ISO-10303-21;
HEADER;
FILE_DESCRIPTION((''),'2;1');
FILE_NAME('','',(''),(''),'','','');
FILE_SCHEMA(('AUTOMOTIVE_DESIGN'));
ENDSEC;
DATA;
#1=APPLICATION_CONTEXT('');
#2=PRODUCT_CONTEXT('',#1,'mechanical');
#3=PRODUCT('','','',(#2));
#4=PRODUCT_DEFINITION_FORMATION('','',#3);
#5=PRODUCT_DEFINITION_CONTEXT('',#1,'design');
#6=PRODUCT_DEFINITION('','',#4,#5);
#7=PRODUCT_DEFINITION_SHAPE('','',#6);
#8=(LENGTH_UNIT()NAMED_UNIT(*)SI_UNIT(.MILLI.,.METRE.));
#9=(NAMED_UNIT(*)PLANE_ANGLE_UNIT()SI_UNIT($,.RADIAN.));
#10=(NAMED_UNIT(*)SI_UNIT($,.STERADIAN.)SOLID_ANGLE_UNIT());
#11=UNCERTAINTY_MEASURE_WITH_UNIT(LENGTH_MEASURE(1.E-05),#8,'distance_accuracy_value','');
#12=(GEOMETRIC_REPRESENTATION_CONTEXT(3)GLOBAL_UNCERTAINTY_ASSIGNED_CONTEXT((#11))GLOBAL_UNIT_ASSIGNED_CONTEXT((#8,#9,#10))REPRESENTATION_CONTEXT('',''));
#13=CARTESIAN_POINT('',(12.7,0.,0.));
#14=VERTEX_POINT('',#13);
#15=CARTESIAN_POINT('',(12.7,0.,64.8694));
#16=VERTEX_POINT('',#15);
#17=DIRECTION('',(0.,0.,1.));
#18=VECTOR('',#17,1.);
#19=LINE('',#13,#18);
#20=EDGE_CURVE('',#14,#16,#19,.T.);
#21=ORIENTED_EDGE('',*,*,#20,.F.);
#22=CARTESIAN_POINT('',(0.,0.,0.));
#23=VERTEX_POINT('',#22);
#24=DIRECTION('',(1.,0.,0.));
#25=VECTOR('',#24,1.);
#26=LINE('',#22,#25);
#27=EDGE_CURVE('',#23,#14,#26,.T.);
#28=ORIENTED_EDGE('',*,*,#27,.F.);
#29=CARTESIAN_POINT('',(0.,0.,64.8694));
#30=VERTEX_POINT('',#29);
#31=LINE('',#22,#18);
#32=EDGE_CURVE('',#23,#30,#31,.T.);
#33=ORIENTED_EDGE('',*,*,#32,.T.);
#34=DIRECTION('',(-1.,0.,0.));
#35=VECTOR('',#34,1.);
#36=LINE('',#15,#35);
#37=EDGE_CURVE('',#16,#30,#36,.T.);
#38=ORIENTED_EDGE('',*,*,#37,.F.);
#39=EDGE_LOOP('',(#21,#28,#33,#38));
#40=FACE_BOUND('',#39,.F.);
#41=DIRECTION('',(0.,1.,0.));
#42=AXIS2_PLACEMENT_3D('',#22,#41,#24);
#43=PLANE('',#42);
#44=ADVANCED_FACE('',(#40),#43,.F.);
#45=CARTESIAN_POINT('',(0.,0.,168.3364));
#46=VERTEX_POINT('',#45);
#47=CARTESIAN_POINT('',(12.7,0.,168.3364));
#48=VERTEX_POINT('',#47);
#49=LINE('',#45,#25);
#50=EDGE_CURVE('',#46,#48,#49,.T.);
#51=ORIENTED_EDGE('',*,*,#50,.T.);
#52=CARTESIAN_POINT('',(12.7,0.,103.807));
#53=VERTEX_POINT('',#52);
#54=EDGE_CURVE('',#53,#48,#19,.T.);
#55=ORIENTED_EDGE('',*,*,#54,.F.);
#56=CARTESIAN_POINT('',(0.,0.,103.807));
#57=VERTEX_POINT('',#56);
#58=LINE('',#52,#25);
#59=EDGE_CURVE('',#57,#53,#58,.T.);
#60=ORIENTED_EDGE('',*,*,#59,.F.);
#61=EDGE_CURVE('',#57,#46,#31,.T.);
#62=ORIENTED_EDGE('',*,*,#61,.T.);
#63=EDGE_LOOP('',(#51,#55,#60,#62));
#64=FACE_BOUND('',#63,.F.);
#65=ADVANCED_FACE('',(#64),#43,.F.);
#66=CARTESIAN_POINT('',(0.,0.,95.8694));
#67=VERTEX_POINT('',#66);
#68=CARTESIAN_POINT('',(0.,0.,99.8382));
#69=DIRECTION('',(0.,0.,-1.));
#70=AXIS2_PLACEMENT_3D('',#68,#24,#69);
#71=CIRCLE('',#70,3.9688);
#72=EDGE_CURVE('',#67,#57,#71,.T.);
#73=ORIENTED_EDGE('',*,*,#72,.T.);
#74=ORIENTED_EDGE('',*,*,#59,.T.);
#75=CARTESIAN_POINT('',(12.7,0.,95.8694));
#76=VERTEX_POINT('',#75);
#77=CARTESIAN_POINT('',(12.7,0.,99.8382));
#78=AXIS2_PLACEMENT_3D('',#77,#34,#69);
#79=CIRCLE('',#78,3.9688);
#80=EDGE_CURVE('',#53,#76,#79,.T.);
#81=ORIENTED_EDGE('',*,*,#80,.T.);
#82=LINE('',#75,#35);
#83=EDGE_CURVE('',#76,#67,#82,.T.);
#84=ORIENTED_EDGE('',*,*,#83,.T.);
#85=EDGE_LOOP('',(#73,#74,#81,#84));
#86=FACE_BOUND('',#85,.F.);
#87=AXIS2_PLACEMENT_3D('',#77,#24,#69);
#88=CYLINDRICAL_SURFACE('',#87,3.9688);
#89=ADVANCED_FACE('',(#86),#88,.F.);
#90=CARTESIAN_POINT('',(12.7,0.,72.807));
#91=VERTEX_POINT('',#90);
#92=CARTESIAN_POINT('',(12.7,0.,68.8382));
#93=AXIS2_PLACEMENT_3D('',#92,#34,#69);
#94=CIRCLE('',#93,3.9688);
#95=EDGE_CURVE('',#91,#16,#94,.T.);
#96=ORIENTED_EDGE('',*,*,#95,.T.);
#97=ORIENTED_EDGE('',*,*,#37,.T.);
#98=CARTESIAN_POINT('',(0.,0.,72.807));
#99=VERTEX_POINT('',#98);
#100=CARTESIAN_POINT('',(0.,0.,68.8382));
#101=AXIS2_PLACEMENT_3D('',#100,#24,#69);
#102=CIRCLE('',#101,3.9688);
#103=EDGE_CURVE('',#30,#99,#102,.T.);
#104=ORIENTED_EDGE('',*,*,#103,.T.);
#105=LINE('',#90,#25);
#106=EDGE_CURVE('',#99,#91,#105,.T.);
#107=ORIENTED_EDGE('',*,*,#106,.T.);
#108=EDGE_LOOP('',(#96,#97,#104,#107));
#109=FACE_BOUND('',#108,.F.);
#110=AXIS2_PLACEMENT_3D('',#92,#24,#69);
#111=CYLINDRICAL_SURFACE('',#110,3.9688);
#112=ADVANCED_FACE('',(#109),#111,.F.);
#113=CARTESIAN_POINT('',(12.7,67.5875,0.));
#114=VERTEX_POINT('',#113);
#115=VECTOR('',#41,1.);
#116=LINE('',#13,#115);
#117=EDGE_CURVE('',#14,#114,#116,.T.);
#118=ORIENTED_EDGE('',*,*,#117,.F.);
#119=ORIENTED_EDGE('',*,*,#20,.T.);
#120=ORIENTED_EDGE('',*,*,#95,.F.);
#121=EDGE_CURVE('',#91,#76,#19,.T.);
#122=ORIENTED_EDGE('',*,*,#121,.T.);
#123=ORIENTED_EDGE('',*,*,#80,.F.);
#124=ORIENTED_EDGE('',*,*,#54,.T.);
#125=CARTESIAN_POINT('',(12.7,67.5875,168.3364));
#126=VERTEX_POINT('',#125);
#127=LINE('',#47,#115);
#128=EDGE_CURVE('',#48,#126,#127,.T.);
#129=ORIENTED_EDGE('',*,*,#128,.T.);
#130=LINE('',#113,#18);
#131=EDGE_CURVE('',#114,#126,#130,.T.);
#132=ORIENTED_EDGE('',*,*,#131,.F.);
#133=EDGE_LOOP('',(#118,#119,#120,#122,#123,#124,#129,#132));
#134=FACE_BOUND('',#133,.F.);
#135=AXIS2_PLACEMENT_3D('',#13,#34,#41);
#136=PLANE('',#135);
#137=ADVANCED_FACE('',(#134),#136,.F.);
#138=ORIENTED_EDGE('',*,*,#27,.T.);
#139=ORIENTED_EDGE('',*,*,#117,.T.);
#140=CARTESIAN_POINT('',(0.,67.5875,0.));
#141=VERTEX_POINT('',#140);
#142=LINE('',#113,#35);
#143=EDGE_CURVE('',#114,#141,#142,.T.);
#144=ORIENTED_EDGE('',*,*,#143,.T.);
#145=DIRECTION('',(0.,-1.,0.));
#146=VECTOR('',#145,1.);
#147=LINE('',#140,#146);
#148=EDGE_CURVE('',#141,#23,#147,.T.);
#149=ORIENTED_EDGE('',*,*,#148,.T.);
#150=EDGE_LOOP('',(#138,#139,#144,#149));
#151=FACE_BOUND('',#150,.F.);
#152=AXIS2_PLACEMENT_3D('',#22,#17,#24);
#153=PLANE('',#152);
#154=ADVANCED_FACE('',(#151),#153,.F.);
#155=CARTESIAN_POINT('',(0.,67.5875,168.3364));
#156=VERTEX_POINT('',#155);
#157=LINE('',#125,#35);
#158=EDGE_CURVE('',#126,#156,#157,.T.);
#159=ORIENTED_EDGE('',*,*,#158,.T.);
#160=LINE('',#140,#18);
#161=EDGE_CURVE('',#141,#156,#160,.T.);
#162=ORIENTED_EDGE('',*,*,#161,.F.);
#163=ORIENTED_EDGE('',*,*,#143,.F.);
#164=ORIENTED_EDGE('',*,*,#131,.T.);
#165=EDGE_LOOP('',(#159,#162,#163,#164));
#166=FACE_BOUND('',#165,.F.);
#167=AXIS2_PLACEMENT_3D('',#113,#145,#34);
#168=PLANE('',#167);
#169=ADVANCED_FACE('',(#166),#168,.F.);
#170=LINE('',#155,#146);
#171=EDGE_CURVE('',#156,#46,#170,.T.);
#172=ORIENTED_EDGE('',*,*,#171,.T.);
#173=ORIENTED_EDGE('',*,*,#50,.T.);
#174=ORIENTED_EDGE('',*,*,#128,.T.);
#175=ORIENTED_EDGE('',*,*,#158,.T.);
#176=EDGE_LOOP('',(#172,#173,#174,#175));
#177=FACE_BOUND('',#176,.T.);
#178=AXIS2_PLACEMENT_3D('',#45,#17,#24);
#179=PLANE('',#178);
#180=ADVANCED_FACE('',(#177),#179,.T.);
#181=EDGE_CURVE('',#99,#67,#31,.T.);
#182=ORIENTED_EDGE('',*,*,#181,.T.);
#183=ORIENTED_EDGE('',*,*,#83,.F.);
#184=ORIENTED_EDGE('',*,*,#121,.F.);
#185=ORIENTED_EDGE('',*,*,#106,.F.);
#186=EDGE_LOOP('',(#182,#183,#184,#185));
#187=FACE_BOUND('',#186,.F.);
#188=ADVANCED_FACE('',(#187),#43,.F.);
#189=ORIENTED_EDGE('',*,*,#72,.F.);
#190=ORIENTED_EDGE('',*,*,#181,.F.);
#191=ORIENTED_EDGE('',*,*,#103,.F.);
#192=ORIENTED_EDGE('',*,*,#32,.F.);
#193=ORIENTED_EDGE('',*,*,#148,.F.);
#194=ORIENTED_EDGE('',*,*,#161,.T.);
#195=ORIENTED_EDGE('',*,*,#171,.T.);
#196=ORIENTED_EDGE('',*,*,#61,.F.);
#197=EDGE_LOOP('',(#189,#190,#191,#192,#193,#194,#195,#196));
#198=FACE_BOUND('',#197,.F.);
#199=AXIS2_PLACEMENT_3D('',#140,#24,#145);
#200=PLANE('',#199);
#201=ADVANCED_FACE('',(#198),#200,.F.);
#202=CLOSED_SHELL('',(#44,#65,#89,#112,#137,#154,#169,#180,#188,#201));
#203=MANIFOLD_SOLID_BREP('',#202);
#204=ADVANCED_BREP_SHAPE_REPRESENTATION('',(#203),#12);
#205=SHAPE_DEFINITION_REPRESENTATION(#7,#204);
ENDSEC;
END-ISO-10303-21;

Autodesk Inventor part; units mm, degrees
ref_plane "YZ Plane" through (0, 0, 0) normal (1, 0, 0) x (0, 1, 0)
ref_plane "XZ Plane" through (0, 0, 0) normal (0, 1, 0) x (-1, 0, 0)
ref_plane "XY Plane" through (0, 0, 0) normal (0, 0, 1) x (1, 0, 0)
sketch "Sketch1" plane through (0, 0, 0) normal (0, 0, 1) x (1, 0, 0)
  line L0 (0, 0) -> (12.7, 0)
  line L1 (12.7, 0) -> (12.7, 67.5875)
  line L2 (12.7, 67.5875) -> (0, 67.5875)
  line L3 (0, 67.5875) -> (0, 0)
  dimension "d0" = 67.5875
  dimension "d1" = 12.7
extrude "Extrusion1" add sketch "Sketch1" along normal blind 168.3364
sketch "Sketch2" plane through (12.7, 0, 0) normal (1, 0, 0) x (0, 0, -1)
  line L0 (0, 0) -> (-168.3364, 0) projected
  line L1 (-99.8382, 5.715) -> (-99.8382, 5.715)
  line L2 (-168.3364, 67.5875) -> (-168.3364, 0) projected
  circle A0 centre (-99.8382, 0) radius 3.9688
  circle A1 centre (-68.8382, 0) radius 3.9688
  point P0 (-103.0132, 0)
  dimension "d9" = 7.9375
  dimension "d10" = 31
  dimension "d11" = 68.4982
extrude "Extrusion3" cut sketch "Sketch2" against normal through all
equation "\"d0\" = BaseSupportHeight"
equation "\"d1\" = BaseSupportThickness"
equation "\"d2\" = BaseSideLength"
equation "\"d10\" = HoleSpacing"
equation "\"BaseSupportHeight\" = 67.5875"
equation "\"BaseSupportThickness\" = 12.7"
equation "\"BaseSideLength\" = 168.336392"
equation "\"HoleSpacing\" = 31"
properties part number "Robot-Base-Support" material "Wood (Birch)"
